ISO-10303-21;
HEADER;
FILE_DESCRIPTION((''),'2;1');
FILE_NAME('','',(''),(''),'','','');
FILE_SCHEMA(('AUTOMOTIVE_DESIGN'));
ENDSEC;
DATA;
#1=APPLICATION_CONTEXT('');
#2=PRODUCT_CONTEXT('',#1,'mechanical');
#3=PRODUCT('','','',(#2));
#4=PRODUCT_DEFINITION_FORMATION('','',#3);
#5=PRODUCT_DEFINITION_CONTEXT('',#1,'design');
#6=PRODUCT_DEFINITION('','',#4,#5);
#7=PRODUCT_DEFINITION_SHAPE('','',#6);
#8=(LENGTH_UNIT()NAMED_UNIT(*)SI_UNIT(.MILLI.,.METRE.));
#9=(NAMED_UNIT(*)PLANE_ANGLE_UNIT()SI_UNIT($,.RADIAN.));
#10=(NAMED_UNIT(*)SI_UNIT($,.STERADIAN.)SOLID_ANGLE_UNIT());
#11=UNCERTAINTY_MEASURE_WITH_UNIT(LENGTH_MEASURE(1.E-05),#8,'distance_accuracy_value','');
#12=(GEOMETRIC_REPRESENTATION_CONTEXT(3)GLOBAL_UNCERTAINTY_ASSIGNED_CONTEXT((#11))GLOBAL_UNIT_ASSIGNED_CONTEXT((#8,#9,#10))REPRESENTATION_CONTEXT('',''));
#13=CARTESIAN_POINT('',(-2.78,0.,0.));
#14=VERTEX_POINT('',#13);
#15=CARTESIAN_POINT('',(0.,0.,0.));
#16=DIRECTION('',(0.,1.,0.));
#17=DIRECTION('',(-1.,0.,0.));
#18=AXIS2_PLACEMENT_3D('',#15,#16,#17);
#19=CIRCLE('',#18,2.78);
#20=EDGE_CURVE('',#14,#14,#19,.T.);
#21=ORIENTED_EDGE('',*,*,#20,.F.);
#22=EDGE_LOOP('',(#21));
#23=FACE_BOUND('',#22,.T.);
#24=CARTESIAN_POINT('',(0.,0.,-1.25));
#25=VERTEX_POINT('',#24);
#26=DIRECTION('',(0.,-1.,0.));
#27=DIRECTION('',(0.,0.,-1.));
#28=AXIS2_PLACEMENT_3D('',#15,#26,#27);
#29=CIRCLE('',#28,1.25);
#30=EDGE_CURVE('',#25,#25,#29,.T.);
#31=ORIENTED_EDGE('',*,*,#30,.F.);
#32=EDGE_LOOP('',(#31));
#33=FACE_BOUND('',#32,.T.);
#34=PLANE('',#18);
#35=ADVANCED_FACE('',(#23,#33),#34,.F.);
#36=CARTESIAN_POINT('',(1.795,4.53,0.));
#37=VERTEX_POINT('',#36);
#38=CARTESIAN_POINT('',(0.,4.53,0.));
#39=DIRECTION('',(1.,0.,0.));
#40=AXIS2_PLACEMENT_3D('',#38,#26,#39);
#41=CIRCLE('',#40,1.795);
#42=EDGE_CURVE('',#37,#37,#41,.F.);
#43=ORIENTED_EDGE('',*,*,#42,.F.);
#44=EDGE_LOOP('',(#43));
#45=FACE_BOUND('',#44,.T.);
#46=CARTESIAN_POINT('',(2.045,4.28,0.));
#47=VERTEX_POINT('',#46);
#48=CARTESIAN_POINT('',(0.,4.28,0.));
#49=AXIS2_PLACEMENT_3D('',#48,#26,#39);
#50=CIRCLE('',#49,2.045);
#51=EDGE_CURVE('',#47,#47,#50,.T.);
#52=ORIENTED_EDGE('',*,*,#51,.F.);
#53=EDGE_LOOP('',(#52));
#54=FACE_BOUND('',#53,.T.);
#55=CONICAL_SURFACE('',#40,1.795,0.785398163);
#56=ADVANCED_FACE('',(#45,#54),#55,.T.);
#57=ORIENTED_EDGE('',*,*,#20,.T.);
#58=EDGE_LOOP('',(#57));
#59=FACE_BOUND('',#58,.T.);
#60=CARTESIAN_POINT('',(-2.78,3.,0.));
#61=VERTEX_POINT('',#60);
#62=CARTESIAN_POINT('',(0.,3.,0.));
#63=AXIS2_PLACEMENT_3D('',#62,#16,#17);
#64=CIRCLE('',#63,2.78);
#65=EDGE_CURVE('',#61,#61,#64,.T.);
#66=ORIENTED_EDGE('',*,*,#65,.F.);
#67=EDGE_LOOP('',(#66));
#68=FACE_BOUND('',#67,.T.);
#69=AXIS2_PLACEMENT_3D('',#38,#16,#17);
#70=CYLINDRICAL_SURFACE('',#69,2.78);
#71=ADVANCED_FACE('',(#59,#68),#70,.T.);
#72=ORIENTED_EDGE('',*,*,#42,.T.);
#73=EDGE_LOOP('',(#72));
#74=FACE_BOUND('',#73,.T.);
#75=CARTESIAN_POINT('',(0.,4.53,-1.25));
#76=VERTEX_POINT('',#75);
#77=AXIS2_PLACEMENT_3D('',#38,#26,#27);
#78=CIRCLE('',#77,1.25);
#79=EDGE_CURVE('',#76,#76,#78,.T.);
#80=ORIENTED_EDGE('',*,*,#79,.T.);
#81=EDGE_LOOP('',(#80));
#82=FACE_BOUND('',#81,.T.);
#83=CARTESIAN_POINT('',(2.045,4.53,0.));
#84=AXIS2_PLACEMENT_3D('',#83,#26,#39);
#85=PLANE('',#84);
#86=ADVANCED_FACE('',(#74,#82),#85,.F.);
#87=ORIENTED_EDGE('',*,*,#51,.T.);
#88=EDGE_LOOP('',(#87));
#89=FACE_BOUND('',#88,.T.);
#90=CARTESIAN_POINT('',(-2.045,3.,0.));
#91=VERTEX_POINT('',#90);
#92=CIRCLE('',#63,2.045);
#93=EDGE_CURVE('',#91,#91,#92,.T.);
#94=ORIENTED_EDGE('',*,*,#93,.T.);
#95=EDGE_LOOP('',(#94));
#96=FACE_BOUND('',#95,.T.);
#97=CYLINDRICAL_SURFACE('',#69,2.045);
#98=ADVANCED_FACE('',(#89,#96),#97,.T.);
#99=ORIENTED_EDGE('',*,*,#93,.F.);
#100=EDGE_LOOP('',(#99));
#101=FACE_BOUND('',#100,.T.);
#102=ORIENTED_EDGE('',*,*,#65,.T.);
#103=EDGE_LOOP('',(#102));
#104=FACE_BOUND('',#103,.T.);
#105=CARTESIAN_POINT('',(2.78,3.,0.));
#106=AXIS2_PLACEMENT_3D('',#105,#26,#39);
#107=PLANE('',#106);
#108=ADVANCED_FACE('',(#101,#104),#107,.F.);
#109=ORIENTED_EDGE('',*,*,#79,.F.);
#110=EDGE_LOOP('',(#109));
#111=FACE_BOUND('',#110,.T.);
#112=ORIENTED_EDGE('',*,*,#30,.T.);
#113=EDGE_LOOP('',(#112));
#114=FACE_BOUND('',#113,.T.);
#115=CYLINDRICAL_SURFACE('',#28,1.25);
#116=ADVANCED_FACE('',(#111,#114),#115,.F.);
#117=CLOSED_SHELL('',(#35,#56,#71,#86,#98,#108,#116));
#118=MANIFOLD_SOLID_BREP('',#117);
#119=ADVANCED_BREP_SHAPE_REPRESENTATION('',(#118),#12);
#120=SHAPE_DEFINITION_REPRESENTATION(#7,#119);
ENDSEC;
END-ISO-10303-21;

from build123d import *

# Parameters (mm, degrees)
TIP_CHAMFER_SIZE = 0.25
M3_TAPPED_HOLE_D = 2.5


with BuildPart() as part:
    # Body Sketch → Body Revolve (revolve)
    with BuildSketch(Plane.XY, mode=Mode.PRIVATE) as body_revolve_sk:
        Polygon((0, 0), (2.78, 0), (2.78, 3), (2.045, 3), (2.045, 4.53), (0, 4.53), align=None)
    revolve(body_revolve_sk.sketch.rotate(Axis((0, 4.53, 0), (0, -1, 0)), 180), axis=Axis((0, 4.53, 0), (0, -1, 0)))

    # Tip Chamfer
    tip_chamfer_edges = [part.edges().sort_by_distance(p)[0] for p in [
        (2.045, 4.53, 0),
    ]]
    chamfer(tip_chamfer_edges, length=TIP_CHAMFER_SIZE)

    # M3 Tapped Hole (through all)
    with Locations(Plane(origin=(0, 0, 0), x_dir=(-1, 0, 0), z_dir=(0, -1, 0))):
        with Locations((0, 0)):
            Hole(M3_TAPPED_HOLE_D / 2)


solid = part.part
